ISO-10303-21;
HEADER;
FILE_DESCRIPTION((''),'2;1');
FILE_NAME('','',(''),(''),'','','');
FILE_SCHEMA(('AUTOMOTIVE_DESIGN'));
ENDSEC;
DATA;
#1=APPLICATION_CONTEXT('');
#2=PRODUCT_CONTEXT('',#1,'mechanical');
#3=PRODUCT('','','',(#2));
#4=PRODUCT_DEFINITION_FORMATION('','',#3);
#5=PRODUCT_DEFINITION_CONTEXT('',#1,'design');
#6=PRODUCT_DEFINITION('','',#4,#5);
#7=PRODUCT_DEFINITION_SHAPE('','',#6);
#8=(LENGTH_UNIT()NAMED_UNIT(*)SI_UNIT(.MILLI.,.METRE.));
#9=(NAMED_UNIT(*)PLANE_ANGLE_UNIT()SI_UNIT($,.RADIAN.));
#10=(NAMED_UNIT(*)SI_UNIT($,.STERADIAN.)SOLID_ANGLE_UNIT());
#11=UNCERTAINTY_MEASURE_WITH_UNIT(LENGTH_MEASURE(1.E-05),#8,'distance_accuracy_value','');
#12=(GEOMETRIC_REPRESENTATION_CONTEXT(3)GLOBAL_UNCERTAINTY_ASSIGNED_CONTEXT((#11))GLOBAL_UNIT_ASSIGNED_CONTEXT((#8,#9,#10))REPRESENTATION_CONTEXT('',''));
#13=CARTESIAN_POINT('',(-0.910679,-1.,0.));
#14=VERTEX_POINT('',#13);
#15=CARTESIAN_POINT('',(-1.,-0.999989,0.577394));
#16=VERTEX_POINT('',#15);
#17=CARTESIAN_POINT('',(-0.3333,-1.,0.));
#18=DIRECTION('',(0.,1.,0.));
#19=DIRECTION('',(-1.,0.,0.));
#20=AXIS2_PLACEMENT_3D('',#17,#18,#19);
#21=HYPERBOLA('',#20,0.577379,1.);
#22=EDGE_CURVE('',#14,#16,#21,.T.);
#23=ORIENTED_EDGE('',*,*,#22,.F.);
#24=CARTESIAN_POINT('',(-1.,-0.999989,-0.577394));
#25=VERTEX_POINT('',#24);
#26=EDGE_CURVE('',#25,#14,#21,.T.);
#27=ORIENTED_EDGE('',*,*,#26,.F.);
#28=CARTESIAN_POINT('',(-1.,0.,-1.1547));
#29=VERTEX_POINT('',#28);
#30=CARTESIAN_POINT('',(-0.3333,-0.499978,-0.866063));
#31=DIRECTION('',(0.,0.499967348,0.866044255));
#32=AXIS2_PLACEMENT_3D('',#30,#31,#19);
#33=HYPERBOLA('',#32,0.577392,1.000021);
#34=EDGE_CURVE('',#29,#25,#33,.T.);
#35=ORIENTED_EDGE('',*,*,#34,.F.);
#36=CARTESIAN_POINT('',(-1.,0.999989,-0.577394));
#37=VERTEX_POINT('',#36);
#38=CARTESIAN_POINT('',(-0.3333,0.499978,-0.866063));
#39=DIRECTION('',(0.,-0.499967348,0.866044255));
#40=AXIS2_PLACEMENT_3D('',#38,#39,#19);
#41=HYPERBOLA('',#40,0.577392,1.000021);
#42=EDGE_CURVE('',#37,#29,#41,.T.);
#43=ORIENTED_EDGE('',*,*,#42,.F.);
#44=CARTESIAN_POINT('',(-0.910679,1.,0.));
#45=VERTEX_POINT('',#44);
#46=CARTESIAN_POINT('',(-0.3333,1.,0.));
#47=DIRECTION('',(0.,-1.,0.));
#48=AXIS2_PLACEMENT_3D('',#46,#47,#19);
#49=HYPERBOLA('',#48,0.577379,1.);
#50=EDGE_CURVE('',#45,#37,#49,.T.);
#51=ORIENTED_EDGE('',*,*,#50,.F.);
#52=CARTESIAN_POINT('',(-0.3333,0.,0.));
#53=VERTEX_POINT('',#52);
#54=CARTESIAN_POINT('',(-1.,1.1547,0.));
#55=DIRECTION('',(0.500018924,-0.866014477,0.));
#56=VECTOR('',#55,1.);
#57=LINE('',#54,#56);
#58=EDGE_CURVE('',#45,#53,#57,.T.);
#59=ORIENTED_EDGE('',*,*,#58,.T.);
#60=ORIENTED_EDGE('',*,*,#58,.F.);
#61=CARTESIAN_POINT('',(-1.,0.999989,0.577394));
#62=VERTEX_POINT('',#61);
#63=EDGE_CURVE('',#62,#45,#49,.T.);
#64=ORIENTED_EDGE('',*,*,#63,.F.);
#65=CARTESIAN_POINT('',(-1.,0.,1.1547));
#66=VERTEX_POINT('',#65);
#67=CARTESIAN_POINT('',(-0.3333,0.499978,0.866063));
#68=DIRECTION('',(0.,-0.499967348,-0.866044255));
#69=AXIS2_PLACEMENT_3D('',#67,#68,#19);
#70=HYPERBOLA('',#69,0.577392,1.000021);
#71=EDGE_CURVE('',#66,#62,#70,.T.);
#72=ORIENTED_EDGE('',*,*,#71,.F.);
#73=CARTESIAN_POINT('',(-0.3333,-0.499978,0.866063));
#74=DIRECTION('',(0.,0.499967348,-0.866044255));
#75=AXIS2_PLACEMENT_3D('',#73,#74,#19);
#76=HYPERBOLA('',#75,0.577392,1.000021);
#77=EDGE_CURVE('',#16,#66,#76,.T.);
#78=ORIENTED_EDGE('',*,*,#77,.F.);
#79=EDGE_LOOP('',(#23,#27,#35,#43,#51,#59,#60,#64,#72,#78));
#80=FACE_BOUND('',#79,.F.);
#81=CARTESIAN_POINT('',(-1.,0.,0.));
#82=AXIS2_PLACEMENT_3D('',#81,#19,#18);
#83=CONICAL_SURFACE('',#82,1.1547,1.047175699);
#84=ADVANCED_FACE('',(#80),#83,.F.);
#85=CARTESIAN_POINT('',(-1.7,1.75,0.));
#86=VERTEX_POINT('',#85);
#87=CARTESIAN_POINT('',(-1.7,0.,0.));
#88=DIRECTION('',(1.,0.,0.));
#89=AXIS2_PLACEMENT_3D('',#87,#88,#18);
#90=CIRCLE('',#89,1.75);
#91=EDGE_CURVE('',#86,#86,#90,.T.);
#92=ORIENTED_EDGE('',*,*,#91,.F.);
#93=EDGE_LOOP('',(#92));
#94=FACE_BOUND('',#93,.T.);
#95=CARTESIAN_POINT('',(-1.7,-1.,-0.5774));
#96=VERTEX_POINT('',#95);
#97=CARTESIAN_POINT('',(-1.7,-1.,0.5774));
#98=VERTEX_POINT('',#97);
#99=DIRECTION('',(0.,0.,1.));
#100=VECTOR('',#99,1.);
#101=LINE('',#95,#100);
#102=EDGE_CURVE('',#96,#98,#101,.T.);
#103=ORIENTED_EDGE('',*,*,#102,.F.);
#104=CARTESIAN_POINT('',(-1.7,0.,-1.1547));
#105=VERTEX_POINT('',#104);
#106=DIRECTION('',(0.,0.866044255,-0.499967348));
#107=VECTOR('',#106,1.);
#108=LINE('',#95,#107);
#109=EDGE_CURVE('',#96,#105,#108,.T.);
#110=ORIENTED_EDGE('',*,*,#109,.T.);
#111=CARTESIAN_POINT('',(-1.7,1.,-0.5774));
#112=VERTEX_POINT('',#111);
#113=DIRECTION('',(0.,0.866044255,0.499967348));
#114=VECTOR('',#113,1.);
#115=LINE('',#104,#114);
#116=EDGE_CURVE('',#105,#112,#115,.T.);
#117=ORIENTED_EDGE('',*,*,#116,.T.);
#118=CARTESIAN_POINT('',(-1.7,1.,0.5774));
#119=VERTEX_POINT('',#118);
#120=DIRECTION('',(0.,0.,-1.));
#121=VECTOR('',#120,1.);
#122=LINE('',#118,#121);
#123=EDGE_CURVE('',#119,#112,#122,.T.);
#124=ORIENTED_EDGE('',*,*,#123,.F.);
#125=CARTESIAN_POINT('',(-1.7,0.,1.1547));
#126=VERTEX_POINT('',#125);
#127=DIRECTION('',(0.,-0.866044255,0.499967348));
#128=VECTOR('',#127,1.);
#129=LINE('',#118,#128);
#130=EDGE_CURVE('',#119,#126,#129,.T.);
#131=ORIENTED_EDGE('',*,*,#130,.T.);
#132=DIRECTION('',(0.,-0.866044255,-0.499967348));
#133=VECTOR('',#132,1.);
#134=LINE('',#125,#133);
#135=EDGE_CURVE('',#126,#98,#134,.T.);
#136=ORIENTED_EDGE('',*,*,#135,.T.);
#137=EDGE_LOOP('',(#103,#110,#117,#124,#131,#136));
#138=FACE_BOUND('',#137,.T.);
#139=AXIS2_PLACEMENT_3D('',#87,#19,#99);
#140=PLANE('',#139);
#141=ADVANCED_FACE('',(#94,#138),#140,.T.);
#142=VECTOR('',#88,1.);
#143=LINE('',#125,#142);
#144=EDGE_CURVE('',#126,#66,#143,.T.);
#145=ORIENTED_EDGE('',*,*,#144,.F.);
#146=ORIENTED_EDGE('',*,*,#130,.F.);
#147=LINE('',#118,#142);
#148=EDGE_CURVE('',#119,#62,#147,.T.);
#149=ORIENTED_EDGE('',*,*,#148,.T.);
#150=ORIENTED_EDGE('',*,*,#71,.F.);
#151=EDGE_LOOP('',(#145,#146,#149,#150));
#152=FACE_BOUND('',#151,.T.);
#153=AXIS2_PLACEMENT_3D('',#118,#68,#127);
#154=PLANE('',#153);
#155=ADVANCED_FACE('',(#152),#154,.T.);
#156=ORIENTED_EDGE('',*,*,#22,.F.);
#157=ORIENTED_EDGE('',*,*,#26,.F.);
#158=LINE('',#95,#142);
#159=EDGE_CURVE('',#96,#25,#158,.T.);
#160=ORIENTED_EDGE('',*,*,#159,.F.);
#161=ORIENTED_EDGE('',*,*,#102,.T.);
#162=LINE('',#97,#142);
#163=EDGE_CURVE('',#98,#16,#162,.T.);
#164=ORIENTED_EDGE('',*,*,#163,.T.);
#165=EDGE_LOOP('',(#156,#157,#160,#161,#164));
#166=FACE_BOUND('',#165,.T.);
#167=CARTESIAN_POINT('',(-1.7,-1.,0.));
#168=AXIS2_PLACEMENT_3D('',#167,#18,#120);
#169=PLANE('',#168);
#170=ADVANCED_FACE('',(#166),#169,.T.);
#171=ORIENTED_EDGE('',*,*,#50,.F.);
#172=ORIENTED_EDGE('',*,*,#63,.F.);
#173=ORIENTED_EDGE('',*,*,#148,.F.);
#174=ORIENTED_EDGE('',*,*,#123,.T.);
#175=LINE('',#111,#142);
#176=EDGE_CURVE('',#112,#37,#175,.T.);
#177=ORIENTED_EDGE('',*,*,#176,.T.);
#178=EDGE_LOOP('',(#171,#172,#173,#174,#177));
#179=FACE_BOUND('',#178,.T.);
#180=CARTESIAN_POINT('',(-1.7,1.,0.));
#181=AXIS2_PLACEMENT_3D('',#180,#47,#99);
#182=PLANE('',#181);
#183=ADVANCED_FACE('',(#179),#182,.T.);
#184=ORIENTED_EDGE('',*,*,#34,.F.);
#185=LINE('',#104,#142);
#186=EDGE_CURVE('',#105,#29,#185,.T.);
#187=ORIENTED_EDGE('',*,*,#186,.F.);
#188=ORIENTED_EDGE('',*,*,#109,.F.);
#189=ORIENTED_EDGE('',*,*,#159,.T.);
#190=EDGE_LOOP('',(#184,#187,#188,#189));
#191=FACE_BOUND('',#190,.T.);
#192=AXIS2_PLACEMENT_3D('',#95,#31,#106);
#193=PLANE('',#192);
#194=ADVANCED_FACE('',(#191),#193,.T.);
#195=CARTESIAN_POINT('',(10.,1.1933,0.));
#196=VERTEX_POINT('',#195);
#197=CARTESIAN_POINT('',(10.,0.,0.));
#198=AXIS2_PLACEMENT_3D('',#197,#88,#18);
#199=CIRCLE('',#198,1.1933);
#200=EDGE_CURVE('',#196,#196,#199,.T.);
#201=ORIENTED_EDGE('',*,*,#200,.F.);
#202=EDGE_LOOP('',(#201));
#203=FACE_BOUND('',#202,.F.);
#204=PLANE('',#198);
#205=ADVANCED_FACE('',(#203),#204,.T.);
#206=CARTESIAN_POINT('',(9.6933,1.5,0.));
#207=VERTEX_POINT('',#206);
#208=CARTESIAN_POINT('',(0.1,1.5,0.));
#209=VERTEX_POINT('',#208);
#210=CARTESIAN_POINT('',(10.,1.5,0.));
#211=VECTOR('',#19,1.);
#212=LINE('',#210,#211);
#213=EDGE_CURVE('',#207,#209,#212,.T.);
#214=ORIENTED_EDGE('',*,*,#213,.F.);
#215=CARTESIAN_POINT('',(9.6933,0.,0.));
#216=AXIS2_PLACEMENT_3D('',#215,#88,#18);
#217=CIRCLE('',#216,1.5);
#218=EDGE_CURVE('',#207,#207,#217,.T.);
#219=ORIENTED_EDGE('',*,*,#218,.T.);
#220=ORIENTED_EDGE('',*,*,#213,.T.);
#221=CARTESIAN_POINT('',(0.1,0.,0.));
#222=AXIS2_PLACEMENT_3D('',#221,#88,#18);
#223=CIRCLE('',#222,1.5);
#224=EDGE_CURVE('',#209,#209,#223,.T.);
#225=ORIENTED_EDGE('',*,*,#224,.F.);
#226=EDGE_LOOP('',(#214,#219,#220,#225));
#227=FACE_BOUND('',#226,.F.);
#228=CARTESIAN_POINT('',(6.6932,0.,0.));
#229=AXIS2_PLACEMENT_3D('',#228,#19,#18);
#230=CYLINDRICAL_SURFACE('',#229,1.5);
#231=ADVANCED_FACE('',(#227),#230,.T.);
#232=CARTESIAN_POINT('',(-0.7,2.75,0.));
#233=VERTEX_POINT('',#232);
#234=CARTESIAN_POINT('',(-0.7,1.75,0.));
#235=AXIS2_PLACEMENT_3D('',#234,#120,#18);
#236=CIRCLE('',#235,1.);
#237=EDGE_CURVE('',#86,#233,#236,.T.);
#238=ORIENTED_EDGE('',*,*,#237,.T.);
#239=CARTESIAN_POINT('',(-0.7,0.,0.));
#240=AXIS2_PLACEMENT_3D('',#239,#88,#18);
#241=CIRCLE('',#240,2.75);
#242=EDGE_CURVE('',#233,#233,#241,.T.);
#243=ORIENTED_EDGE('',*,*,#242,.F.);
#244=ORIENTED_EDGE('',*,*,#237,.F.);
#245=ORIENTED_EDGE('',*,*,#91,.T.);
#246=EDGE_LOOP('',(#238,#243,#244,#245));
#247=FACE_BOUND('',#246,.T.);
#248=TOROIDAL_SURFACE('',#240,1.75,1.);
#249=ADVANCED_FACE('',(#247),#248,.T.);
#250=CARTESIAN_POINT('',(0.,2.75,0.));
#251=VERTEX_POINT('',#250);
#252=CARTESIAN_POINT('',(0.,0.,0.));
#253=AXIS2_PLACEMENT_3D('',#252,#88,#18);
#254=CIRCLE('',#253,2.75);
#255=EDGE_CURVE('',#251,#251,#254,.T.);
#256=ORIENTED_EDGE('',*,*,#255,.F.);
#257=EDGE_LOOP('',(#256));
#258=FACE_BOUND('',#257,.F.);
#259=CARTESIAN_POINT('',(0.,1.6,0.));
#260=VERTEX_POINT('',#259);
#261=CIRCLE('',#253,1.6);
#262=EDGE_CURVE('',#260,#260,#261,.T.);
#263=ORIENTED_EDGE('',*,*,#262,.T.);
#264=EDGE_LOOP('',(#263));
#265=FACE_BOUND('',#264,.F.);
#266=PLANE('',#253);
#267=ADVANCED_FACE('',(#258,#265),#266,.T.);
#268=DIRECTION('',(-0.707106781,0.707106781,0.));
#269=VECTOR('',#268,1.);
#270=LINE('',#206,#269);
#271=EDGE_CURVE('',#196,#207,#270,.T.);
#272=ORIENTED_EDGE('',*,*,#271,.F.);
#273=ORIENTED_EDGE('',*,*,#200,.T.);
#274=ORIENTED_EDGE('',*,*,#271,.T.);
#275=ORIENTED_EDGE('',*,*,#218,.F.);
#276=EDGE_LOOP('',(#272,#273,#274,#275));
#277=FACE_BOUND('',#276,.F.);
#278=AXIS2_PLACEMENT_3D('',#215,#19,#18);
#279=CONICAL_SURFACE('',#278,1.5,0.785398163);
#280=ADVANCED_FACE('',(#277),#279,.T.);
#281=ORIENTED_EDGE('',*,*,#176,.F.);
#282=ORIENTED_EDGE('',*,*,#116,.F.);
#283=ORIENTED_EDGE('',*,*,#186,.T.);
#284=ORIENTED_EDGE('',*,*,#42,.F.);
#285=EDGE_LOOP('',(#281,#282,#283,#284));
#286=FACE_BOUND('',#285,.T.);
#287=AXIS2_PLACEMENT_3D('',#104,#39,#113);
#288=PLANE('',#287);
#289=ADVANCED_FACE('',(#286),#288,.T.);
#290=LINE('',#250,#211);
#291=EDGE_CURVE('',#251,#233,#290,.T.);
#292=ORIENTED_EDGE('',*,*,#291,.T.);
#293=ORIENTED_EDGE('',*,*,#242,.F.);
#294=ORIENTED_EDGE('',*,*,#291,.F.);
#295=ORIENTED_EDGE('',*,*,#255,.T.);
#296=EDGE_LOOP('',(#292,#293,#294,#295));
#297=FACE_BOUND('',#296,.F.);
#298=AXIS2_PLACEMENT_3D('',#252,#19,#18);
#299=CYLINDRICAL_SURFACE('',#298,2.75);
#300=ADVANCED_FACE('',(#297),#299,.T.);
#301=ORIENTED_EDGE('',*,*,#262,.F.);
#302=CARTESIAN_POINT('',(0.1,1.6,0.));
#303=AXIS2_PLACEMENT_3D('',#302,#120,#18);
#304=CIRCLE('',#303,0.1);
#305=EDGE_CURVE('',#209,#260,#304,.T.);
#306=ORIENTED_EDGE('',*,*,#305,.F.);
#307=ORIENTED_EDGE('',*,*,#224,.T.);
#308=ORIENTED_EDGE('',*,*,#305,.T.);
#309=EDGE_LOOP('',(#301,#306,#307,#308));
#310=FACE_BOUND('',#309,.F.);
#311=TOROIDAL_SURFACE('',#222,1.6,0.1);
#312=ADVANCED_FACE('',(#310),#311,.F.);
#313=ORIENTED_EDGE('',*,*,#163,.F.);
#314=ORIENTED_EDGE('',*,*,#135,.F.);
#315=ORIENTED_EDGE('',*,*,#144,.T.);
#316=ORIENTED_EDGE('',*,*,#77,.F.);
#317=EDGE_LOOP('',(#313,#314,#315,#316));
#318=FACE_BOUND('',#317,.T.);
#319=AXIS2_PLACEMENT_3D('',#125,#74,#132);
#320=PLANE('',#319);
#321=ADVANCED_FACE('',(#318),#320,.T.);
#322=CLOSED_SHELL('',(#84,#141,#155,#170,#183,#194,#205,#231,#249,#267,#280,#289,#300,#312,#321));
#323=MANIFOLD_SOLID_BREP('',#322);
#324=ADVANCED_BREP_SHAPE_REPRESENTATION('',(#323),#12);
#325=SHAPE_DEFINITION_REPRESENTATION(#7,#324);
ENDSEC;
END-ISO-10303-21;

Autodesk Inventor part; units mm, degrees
ref_plane "YZ Plane" through (0, 0, 0) normal (1, 0, 0) x (0, 1, 0)
ref_plane "XZ Plane" through (0, 0, 0) normal (0, 1, 0) x (-1, 0, 0)
sketch "Sketch1" plane through (0, 0, 0) normal (0, 0, 1) x (1, 0, 0)
  line L0 (-0.3333, 0) -> (10, 0)
  line L1 (10, 0) -> (10, 1.5)
  line L2 (10, 1.5) -> (7, 1.5)
  line L3 (7, 1.5) -> (6.6932, 1.5)
  line L4 (6.6932, 1.5) -> (0, 1.5)
  line L5 (0, 1.5) -> (0, 2.75)
  line L6 (0, 2.75) -> (-1.7, 2.75)
  line L7 (-1.7, 2.75) -> (-1.7, 1.1547)
  line L8 (-1.7, 1.1547) -> (-1, 1.1547)
  line L9 (-1, 1.1547) -> (-0.3333, 0)
  line L10 (-4.04, 0) -> (12.34, 0) projected
  line L11 (0, -0.55) -> (0, 3.3) projected
  line L12 (7, 1.5) -> (0, 1.5) construction
  dimension "d1" = 3
  dimension "d2" = 0.3068
  dimension "d3" = 1.7
  dimension "d4" = 0.7
  dimension "d5" = 60
  dimension "d6" = 3
  dimension "d7" = 3
  dimension "d8" = 2.3094
  dimension "d9" = 5.5
  dimension "d26" = 10
revolve "Body" add sketch "Sketch1" angle 360 about axis through (-0.3333, 0, 0) along (1, 0, 0)
sketch "Sketch2" plane through (-1.7, 0, 0) normal (-1, 0, 0) x (0, 0, 1)
  circle A0 centre (0, 0) radius 1.1547 projected
  line L0 (0, -3.85) -> (0, 3.85) projected
  line L1 (-3.85, 0) -> (3.85, 0) projected
  line L2 (1.1547, 0) -> (0.5774, -1)
  line L3 (0.5774, -1) -> (-0.5774, -1)
  line L4 (-0.5774, -1) -> (-1.1547, 0)
  line L5 (-1.1547, 0) -> (-0.5774, 1)
  line L6 (-0.5774, 1) -> (0.5774, 1)
  line L7 (0.5774, 1) -> (1.1547, 0)
extrude "Slot" add sketch "Sketch2" against normal up to next contours L7 A0 | A0 L2 | L6 L0 A0 | A0 L0 L3 | L0 L6 A0 | A0 L3 L0 | L4 A0 | A0 L5
fillet "Fillet1" radius 1 1 edges at (-1.7, -2.75, 0)
chamfer "Chamfer1" distance 0.3067 distance2 0.3067 1 edges at (10, -1.5, 0) measured on face at (10, -0.3743, 0.5709)
ref_plane "Work Plane1" through (29, 0, 0) normal (0, -1, 0) x (1, 0, 0)
fillet "Fillet2" radius 0.1 1 edges at (0, -1.5, 0)
thread "Thread2" size "M3x0.5" class "6g" standard "ANSI Metric M Profile" full length
equation "\"d15\" = -0.5 * SPD + 0.5 * GD"
equation "\"d16\" = GUL"
equation "\"GD\" = NND"
equation "\"NLG\" = 6"
equation "\"GEL\" = 4.5"
equation "\"KOD\" = 5.7"
equation "\"KOH\" = 1.65"
equation "\"INTI\" = 1.04"
equation "\"GAL\" = 0.61345 * PTC"
equation "\"GUL\" = 0.61345 * PTC"
equation "\"BDM\" = NND"
equation "\"SW\" = 2"
equation "\"RR\" = 1.45"
equation "\"SPD\" = NND - 1.2269 * PTC"
equation "\"R\" = 0.3"
equation "\"TOA\" = 30deg"
equation "\"GD1\" = THREADDIA - 1.2269 * PTC"
equation "\"THREADDIA\" = 3"
equation "\"PTC\" = 0.5"
equation "\"NND\" = 3"
equation "\"KOH1\" = 0.2"
equation "\"E0\" = 2.303"
properties part number "M3x10 Bolt" material "Stainless Steel"
